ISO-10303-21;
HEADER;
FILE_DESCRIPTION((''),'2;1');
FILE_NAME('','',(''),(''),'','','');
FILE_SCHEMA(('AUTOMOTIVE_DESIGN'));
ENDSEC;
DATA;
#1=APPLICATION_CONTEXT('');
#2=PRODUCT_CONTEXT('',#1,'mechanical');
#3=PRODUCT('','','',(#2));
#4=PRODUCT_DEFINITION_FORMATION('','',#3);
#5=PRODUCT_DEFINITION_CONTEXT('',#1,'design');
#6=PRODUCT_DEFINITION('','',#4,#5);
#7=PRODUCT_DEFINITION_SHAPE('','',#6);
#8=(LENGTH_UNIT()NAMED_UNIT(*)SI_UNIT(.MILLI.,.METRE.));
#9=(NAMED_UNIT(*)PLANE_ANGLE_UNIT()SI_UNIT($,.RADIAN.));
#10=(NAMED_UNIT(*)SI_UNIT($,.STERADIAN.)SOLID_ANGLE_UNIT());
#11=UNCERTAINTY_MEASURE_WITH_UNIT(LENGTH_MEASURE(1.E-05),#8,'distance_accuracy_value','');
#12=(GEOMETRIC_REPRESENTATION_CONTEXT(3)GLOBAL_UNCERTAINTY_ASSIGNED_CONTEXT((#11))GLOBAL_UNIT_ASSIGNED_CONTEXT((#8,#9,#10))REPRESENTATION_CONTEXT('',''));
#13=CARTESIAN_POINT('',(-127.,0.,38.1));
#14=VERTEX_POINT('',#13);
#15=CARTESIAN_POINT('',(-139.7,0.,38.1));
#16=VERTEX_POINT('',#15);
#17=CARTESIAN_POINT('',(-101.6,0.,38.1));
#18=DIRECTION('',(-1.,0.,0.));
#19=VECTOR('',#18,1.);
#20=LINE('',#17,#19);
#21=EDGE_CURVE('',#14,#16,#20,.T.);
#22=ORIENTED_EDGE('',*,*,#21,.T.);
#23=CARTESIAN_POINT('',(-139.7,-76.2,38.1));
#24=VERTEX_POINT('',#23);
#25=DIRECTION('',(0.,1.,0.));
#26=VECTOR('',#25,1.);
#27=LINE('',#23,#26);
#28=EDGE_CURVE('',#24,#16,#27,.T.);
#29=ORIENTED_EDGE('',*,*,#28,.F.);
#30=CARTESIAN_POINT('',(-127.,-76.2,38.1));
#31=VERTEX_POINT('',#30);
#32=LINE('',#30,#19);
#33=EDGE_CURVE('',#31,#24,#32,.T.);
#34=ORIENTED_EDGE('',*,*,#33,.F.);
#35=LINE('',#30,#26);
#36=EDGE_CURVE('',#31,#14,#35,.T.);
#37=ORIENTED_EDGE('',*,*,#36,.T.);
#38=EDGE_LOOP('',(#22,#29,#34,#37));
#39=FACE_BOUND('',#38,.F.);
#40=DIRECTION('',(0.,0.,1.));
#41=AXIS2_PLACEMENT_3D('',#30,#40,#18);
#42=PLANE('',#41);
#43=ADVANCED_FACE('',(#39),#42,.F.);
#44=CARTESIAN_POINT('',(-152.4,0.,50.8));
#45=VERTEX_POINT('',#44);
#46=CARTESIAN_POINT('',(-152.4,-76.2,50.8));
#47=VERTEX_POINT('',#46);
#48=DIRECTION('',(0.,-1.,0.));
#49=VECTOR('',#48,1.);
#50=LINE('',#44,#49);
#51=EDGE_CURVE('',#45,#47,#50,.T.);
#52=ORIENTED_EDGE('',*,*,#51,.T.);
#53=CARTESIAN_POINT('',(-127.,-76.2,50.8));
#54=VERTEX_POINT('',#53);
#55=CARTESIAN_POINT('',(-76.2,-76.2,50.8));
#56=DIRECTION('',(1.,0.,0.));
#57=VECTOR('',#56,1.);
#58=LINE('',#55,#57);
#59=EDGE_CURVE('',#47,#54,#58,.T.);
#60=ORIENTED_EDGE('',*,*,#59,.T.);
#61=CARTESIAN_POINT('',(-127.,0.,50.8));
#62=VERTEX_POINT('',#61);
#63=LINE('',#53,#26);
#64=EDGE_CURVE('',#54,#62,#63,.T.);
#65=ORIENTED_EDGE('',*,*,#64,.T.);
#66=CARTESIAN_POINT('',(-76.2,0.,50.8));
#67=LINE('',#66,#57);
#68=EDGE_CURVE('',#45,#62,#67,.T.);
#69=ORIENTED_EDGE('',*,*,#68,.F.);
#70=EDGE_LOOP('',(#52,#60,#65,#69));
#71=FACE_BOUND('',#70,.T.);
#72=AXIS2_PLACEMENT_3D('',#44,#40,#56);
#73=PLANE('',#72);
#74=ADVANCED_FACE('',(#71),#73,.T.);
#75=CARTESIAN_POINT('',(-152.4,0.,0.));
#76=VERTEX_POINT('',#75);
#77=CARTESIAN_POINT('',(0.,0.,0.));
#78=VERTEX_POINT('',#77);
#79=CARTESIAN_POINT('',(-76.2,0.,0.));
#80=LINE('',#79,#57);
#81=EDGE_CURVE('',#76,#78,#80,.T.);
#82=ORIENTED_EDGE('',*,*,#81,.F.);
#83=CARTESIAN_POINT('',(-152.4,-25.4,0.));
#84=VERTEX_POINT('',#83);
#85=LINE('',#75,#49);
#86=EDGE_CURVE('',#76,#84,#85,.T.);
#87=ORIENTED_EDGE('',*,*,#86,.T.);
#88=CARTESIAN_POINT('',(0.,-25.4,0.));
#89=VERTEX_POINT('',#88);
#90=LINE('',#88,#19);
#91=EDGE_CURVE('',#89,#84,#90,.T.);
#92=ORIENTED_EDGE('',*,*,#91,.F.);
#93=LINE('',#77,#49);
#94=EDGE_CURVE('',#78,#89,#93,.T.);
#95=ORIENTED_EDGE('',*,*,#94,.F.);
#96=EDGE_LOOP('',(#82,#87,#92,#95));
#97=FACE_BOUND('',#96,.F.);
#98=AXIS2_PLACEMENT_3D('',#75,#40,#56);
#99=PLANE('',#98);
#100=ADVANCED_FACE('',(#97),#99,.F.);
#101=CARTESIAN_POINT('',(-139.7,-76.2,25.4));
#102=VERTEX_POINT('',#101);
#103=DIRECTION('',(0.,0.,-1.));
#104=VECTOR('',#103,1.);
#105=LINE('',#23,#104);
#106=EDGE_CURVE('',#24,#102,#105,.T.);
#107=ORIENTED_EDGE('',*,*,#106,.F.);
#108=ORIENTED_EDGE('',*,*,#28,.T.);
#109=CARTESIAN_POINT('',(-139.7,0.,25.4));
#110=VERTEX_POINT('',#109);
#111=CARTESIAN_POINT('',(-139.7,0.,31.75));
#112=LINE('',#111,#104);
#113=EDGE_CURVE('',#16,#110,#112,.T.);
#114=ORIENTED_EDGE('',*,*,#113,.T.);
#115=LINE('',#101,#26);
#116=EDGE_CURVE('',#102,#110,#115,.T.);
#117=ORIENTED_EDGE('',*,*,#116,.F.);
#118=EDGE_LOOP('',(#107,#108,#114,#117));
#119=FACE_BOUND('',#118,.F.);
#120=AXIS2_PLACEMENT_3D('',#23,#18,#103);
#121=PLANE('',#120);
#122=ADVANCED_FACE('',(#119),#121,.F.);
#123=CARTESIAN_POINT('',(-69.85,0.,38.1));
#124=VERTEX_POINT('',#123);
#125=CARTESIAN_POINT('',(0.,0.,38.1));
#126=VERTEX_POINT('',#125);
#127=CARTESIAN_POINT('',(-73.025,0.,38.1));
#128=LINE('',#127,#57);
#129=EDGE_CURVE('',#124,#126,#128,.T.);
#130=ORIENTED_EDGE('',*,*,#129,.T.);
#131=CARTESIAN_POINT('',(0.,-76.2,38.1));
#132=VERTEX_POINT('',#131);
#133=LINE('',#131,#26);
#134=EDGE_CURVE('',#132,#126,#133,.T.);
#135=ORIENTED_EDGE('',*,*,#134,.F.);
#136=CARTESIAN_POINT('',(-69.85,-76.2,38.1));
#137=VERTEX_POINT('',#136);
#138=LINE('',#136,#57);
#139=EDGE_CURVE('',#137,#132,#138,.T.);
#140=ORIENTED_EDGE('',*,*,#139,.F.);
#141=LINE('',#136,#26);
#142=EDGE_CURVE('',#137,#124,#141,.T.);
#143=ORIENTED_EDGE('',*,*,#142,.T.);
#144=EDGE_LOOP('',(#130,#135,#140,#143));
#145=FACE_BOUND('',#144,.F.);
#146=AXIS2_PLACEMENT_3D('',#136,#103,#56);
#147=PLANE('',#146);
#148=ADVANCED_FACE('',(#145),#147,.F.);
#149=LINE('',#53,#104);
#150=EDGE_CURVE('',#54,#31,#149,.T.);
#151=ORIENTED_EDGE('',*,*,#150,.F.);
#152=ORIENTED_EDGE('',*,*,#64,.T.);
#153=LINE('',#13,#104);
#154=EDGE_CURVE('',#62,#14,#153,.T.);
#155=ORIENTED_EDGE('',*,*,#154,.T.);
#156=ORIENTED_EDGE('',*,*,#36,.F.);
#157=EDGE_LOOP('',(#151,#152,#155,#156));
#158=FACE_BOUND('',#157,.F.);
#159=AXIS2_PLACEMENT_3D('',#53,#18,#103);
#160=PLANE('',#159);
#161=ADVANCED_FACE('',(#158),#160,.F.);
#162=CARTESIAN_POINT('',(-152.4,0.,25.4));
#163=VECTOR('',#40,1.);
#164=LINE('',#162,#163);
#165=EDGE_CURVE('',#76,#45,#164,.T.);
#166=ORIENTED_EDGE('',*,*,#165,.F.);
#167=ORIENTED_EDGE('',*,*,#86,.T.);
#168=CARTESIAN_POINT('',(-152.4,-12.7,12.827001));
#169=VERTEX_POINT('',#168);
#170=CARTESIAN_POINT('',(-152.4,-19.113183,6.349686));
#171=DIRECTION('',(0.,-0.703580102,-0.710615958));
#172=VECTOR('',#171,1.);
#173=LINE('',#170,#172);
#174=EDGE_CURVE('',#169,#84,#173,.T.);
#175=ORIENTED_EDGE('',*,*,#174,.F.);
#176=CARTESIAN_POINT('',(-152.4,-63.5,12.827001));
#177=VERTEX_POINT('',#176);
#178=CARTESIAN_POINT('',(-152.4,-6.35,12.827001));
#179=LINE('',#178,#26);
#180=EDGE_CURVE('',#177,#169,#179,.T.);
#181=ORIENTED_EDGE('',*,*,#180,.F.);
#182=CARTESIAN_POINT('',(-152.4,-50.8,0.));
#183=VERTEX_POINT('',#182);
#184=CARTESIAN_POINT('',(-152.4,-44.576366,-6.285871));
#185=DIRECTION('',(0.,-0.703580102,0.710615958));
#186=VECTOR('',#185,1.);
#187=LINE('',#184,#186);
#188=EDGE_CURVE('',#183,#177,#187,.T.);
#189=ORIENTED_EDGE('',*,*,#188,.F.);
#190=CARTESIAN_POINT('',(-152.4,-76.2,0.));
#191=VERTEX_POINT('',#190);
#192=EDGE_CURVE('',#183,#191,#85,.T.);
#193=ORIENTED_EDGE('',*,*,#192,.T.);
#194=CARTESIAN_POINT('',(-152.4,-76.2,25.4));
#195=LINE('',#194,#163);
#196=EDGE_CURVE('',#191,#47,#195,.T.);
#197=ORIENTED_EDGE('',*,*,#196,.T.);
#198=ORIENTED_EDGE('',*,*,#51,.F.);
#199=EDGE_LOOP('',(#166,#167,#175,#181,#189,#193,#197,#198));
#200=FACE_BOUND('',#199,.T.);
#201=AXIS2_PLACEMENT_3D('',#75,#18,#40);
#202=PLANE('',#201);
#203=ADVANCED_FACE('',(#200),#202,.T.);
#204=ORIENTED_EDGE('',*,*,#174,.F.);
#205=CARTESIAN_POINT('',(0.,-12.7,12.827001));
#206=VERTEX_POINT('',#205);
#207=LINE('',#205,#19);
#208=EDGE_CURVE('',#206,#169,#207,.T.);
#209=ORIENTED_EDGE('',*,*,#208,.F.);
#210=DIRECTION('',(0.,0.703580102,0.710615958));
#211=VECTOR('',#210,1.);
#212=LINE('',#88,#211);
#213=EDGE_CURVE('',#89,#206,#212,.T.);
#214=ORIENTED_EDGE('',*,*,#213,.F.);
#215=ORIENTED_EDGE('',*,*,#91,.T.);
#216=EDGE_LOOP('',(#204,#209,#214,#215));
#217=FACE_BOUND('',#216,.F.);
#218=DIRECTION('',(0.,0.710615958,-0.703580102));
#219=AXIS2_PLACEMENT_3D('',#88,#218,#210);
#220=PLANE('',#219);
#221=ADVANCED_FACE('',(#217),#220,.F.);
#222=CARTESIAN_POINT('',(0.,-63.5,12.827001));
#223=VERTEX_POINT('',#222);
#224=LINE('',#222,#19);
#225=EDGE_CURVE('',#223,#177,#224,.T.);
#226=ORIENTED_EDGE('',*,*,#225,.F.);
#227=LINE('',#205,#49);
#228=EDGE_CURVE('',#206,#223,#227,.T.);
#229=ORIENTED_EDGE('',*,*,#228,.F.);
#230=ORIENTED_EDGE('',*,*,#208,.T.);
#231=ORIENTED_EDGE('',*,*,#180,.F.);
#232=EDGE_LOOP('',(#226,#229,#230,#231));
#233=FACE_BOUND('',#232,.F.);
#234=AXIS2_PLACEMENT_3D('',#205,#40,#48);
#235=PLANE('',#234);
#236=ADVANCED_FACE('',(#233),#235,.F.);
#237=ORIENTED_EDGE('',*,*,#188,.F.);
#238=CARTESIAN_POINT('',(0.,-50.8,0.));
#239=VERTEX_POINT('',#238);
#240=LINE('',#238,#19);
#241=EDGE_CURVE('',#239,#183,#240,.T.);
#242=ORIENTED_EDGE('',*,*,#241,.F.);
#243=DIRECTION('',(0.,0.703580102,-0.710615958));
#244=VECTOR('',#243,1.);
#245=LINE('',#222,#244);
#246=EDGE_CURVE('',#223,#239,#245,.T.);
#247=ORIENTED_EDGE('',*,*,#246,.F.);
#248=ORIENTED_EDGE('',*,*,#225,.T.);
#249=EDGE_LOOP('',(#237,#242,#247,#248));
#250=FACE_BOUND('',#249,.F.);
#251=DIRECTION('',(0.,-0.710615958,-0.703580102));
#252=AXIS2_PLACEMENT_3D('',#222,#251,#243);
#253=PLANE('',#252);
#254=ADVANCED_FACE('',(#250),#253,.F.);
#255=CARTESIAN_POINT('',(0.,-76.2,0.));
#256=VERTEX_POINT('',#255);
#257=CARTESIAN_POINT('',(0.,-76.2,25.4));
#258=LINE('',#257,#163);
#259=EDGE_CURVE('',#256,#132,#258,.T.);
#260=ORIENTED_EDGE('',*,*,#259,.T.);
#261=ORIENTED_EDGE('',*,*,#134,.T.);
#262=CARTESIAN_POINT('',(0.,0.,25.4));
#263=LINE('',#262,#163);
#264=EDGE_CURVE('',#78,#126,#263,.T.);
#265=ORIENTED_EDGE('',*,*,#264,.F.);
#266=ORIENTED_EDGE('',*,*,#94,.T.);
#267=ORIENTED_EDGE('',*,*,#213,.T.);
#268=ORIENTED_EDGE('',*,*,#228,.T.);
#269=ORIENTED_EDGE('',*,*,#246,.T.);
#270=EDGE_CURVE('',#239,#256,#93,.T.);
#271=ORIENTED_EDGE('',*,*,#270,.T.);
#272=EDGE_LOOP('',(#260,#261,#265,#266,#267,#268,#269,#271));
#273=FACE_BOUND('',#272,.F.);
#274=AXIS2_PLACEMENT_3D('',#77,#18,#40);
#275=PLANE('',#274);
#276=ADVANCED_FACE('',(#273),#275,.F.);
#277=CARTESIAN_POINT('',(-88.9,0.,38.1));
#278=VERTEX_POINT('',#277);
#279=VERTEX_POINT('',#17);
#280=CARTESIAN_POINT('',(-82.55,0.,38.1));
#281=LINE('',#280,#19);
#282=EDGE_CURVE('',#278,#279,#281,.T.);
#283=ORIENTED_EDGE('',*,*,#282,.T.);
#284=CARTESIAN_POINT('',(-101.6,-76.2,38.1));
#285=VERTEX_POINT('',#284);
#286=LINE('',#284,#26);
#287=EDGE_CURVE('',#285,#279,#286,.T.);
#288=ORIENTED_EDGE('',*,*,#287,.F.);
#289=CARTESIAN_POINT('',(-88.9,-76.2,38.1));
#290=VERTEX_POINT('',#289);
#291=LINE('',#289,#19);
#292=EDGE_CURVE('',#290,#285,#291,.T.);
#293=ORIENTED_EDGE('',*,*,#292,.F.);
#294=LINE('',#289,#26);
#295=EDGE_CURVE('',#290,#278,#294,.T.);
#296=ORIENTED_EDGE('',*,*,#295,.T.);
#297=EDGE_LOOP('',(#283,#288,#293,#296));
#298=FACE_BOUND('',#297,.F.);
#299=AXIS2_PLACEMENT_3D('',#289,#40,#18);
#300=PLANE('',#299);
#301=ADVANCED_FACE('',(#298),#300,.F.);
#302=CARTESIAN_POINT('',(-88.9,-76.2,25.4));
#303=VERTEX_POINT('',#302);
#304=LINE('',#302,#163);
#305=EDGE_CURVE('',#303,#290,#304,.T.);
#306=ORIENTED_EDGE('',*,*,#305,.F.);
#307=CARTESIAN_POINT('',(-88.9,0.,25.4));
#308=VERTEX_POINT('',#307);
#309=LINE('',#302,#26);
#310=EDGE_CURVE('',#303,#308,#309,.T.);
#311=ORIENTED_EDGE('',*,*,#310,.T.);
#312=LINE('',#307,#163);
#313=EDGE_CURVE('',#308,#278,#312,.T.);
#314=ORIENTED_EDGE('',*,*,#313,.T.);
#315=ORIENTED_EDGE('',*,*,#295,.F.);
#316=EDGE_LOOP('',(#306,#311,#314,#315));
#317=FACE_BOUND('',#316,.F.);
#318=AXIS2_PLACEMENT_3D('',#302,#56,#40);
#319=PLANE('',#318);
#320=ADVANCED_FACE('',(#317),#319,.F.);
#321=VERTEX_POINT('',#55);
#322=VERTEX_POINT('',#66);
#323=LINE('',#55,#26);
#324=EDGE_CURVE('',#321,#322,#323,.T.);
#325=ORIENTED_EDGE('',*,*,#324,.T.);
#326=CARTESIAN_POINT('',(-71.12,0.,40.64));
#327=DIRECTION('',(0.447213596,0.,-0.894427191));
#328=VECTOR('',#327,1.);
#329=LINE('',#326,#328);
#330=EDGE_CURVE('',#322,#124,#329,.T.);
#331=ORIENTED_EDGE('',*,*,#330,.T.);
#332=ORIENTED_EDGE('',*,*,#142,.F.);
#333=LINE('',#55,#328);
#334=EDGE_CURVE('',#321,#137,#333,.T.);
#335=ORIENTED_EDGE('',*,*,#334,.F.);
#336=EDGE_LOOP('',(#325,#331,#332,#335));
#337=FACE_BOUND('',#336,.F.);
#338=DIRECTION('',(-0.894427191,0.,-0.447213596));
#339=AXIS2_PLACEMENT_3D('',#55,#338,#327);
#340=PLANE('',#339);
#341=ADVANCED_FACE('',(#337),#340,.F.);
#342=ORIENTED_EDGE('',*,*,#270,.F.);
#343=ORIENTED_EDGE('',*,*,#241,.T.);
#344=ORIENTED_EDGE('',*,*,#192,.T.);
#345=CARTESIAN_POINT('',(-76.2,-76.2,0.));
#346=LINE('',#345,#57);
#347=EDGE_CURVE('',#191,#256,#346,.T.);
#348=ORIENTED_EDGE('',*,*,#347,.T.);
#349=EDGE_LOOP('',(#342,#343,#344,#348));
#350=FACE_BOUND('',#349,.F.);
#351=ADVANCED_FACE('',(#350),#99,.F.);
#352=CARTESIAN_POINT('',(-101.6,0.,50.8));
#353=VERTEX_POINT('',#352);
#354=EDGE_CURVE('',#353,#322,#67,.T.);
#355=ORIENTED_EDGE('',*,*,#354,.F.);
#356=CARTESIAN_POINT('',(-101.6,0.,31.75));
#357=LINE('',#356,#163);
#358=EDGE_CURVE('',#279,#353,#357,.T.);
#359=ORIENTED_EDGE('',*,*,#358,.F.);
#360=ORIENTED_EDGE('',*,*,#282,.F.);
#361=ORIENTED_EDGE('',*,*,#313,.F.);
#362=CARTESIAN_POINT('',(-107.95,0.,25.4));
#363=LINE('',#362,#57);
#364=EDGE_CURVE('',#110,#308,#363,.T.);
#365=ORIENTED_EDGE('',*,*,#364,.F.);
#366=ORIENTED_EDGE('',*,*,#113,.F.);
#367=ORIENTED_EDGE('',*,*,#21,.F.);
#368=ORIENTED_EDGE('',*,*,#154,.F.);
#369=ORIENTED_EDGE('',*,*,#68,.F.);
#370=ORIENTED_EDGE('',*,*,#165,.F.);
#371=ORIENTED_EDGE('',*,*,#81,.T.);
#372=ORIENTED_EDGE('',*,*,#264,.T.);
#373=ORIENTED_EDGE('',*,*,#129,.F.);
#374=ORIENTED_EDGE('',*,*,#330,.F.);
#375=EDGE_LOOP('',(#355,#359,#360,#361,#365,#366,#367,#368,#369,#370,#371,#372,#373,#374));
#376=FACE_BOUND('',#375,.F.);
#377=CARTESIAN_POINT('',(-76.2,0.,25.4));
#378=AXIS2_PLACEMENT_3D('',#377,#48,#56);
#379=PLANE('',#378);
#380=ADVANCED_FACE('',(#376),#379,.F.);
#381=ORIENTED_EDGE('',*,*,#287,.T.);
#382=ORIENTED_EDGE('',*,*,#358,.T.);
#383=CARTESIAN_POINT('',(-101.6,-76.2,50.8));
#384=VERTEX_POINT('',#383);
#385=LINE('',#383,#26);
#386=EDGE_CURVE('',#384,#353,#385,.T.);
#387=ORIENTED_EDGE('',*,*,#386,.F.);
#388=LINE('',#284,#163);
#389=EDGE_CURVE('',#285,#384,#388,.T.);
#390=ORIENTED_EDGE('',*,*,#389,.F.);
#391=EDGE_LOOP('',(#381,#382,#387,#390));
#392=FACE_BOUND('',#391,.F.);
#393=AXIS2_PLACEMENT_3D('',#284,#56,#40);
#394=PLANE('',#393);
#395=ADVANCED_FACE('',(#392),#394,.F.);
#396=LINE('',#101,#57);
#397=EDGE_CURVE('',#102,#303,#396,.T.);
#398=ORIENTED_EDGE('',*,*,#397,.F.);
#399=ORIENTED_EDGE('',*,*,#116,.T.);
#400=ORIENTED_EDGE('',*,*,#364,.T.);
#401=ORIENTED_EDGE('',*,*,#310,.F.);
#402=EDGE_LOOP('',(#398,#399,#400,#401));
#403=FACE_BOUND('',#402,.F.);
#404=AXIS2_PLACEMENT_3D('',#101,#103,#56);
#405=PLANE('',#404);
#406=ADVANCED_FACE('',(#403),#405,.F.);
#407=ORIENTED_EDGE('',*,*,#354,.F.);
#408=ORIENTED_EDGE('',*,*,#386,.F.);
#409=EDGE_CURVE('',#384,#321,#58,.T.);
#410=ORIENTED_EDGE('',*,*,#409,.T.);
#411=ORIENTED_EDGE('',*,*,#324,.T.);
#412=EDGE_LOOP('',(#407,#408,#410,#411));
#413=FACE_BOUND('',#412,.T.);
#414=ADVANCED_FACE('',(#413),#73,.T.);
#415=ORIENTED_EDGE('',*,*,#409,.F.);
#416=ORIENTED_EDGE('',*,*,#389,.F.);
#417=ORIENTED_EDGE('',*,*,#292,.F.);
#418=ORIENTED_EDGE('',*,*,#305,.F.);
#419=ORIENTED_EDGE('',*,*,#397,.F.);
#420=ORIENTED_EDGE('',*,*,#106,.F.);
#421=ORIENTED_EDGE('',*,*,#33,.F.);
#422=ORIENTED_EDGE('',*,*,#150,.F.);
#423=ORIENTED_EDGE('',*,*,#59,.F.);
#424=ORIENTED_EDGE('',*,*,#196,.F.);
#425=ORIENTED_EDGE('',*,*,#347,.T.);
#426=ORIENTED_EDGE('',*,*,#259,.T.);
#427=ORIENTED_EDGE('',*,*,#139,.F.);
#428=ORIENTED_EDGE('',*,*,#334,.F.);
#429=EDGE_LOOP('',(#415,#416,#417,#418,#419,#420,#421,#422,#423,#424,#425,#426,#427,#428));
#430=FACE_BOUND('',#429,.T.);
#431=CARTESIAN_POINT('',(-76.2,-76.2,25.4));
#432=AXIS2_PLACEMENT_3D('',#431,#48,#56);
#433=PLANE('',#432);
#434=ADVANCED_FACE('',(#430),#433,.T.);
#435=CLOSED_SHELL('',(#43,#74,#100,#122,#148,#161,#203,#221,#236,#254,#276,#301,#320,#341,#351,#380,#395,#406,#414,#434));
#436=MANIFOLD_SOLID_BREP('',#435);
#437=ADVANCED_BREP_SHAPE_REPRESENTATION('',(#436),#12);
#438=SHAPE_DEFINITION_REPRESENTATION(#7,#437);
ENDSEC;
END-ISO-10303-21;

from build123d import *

# Parameters (mm, degrees)
F0_W     = 152.4
F0_H     = 50.8
F1_DEPTH = 76.2
F3_DEPTH = 92.964
F5_DEPTH = 93.472
F7_DEPTH = 203.454


with BuildPart() as f1:
    # F0 (on Front) → F1 (new body)
    with BuildSketch(Plane.XZ):
        with Locations((-76.2, 25.4)):
            Rectangle(F0_W, F0_H)
    extrude(amount=F1_DEPTH)

    # F2 (on face) → F3 (cut)
    with BuildSketch(Plane.XZ.offset(76.2)):
        Polygon((-101.6, 50.8), (-127, 50.8), (-127, 38.1), (-139.7, 38.1), (-139.7, 25.4), (-88.9, 25.4), (-88.9, 38.1), (-101.6, 38.1), align=None)
    extrude(amount=-F3_DEPTH, mode=Mode.SUBTRACT)

    # F4 (on face) → F5 (cut)
    with BuildSketch(Plane.XZ.offset(76.2)):
        Polygon((0, 50.8), (-76.2, 50.8), (-69.85, 38.1), (0, 38.1), align=None)
    extrude(amount=-F5_DEPTH, mode=Mode.SUBTRACT)

    # F6 (on face) → F7 (cut)
    with BuildSketch(Plane.YZ):
        Polygon((-63.5, 12.827001), (-50.8, 0), (-25.4, 0), (-12.7, 12.827001), align=None)
    extrude(amount=-F7_DEPTH, mode=Mode.SUBTRACT)


solid = f1.part
